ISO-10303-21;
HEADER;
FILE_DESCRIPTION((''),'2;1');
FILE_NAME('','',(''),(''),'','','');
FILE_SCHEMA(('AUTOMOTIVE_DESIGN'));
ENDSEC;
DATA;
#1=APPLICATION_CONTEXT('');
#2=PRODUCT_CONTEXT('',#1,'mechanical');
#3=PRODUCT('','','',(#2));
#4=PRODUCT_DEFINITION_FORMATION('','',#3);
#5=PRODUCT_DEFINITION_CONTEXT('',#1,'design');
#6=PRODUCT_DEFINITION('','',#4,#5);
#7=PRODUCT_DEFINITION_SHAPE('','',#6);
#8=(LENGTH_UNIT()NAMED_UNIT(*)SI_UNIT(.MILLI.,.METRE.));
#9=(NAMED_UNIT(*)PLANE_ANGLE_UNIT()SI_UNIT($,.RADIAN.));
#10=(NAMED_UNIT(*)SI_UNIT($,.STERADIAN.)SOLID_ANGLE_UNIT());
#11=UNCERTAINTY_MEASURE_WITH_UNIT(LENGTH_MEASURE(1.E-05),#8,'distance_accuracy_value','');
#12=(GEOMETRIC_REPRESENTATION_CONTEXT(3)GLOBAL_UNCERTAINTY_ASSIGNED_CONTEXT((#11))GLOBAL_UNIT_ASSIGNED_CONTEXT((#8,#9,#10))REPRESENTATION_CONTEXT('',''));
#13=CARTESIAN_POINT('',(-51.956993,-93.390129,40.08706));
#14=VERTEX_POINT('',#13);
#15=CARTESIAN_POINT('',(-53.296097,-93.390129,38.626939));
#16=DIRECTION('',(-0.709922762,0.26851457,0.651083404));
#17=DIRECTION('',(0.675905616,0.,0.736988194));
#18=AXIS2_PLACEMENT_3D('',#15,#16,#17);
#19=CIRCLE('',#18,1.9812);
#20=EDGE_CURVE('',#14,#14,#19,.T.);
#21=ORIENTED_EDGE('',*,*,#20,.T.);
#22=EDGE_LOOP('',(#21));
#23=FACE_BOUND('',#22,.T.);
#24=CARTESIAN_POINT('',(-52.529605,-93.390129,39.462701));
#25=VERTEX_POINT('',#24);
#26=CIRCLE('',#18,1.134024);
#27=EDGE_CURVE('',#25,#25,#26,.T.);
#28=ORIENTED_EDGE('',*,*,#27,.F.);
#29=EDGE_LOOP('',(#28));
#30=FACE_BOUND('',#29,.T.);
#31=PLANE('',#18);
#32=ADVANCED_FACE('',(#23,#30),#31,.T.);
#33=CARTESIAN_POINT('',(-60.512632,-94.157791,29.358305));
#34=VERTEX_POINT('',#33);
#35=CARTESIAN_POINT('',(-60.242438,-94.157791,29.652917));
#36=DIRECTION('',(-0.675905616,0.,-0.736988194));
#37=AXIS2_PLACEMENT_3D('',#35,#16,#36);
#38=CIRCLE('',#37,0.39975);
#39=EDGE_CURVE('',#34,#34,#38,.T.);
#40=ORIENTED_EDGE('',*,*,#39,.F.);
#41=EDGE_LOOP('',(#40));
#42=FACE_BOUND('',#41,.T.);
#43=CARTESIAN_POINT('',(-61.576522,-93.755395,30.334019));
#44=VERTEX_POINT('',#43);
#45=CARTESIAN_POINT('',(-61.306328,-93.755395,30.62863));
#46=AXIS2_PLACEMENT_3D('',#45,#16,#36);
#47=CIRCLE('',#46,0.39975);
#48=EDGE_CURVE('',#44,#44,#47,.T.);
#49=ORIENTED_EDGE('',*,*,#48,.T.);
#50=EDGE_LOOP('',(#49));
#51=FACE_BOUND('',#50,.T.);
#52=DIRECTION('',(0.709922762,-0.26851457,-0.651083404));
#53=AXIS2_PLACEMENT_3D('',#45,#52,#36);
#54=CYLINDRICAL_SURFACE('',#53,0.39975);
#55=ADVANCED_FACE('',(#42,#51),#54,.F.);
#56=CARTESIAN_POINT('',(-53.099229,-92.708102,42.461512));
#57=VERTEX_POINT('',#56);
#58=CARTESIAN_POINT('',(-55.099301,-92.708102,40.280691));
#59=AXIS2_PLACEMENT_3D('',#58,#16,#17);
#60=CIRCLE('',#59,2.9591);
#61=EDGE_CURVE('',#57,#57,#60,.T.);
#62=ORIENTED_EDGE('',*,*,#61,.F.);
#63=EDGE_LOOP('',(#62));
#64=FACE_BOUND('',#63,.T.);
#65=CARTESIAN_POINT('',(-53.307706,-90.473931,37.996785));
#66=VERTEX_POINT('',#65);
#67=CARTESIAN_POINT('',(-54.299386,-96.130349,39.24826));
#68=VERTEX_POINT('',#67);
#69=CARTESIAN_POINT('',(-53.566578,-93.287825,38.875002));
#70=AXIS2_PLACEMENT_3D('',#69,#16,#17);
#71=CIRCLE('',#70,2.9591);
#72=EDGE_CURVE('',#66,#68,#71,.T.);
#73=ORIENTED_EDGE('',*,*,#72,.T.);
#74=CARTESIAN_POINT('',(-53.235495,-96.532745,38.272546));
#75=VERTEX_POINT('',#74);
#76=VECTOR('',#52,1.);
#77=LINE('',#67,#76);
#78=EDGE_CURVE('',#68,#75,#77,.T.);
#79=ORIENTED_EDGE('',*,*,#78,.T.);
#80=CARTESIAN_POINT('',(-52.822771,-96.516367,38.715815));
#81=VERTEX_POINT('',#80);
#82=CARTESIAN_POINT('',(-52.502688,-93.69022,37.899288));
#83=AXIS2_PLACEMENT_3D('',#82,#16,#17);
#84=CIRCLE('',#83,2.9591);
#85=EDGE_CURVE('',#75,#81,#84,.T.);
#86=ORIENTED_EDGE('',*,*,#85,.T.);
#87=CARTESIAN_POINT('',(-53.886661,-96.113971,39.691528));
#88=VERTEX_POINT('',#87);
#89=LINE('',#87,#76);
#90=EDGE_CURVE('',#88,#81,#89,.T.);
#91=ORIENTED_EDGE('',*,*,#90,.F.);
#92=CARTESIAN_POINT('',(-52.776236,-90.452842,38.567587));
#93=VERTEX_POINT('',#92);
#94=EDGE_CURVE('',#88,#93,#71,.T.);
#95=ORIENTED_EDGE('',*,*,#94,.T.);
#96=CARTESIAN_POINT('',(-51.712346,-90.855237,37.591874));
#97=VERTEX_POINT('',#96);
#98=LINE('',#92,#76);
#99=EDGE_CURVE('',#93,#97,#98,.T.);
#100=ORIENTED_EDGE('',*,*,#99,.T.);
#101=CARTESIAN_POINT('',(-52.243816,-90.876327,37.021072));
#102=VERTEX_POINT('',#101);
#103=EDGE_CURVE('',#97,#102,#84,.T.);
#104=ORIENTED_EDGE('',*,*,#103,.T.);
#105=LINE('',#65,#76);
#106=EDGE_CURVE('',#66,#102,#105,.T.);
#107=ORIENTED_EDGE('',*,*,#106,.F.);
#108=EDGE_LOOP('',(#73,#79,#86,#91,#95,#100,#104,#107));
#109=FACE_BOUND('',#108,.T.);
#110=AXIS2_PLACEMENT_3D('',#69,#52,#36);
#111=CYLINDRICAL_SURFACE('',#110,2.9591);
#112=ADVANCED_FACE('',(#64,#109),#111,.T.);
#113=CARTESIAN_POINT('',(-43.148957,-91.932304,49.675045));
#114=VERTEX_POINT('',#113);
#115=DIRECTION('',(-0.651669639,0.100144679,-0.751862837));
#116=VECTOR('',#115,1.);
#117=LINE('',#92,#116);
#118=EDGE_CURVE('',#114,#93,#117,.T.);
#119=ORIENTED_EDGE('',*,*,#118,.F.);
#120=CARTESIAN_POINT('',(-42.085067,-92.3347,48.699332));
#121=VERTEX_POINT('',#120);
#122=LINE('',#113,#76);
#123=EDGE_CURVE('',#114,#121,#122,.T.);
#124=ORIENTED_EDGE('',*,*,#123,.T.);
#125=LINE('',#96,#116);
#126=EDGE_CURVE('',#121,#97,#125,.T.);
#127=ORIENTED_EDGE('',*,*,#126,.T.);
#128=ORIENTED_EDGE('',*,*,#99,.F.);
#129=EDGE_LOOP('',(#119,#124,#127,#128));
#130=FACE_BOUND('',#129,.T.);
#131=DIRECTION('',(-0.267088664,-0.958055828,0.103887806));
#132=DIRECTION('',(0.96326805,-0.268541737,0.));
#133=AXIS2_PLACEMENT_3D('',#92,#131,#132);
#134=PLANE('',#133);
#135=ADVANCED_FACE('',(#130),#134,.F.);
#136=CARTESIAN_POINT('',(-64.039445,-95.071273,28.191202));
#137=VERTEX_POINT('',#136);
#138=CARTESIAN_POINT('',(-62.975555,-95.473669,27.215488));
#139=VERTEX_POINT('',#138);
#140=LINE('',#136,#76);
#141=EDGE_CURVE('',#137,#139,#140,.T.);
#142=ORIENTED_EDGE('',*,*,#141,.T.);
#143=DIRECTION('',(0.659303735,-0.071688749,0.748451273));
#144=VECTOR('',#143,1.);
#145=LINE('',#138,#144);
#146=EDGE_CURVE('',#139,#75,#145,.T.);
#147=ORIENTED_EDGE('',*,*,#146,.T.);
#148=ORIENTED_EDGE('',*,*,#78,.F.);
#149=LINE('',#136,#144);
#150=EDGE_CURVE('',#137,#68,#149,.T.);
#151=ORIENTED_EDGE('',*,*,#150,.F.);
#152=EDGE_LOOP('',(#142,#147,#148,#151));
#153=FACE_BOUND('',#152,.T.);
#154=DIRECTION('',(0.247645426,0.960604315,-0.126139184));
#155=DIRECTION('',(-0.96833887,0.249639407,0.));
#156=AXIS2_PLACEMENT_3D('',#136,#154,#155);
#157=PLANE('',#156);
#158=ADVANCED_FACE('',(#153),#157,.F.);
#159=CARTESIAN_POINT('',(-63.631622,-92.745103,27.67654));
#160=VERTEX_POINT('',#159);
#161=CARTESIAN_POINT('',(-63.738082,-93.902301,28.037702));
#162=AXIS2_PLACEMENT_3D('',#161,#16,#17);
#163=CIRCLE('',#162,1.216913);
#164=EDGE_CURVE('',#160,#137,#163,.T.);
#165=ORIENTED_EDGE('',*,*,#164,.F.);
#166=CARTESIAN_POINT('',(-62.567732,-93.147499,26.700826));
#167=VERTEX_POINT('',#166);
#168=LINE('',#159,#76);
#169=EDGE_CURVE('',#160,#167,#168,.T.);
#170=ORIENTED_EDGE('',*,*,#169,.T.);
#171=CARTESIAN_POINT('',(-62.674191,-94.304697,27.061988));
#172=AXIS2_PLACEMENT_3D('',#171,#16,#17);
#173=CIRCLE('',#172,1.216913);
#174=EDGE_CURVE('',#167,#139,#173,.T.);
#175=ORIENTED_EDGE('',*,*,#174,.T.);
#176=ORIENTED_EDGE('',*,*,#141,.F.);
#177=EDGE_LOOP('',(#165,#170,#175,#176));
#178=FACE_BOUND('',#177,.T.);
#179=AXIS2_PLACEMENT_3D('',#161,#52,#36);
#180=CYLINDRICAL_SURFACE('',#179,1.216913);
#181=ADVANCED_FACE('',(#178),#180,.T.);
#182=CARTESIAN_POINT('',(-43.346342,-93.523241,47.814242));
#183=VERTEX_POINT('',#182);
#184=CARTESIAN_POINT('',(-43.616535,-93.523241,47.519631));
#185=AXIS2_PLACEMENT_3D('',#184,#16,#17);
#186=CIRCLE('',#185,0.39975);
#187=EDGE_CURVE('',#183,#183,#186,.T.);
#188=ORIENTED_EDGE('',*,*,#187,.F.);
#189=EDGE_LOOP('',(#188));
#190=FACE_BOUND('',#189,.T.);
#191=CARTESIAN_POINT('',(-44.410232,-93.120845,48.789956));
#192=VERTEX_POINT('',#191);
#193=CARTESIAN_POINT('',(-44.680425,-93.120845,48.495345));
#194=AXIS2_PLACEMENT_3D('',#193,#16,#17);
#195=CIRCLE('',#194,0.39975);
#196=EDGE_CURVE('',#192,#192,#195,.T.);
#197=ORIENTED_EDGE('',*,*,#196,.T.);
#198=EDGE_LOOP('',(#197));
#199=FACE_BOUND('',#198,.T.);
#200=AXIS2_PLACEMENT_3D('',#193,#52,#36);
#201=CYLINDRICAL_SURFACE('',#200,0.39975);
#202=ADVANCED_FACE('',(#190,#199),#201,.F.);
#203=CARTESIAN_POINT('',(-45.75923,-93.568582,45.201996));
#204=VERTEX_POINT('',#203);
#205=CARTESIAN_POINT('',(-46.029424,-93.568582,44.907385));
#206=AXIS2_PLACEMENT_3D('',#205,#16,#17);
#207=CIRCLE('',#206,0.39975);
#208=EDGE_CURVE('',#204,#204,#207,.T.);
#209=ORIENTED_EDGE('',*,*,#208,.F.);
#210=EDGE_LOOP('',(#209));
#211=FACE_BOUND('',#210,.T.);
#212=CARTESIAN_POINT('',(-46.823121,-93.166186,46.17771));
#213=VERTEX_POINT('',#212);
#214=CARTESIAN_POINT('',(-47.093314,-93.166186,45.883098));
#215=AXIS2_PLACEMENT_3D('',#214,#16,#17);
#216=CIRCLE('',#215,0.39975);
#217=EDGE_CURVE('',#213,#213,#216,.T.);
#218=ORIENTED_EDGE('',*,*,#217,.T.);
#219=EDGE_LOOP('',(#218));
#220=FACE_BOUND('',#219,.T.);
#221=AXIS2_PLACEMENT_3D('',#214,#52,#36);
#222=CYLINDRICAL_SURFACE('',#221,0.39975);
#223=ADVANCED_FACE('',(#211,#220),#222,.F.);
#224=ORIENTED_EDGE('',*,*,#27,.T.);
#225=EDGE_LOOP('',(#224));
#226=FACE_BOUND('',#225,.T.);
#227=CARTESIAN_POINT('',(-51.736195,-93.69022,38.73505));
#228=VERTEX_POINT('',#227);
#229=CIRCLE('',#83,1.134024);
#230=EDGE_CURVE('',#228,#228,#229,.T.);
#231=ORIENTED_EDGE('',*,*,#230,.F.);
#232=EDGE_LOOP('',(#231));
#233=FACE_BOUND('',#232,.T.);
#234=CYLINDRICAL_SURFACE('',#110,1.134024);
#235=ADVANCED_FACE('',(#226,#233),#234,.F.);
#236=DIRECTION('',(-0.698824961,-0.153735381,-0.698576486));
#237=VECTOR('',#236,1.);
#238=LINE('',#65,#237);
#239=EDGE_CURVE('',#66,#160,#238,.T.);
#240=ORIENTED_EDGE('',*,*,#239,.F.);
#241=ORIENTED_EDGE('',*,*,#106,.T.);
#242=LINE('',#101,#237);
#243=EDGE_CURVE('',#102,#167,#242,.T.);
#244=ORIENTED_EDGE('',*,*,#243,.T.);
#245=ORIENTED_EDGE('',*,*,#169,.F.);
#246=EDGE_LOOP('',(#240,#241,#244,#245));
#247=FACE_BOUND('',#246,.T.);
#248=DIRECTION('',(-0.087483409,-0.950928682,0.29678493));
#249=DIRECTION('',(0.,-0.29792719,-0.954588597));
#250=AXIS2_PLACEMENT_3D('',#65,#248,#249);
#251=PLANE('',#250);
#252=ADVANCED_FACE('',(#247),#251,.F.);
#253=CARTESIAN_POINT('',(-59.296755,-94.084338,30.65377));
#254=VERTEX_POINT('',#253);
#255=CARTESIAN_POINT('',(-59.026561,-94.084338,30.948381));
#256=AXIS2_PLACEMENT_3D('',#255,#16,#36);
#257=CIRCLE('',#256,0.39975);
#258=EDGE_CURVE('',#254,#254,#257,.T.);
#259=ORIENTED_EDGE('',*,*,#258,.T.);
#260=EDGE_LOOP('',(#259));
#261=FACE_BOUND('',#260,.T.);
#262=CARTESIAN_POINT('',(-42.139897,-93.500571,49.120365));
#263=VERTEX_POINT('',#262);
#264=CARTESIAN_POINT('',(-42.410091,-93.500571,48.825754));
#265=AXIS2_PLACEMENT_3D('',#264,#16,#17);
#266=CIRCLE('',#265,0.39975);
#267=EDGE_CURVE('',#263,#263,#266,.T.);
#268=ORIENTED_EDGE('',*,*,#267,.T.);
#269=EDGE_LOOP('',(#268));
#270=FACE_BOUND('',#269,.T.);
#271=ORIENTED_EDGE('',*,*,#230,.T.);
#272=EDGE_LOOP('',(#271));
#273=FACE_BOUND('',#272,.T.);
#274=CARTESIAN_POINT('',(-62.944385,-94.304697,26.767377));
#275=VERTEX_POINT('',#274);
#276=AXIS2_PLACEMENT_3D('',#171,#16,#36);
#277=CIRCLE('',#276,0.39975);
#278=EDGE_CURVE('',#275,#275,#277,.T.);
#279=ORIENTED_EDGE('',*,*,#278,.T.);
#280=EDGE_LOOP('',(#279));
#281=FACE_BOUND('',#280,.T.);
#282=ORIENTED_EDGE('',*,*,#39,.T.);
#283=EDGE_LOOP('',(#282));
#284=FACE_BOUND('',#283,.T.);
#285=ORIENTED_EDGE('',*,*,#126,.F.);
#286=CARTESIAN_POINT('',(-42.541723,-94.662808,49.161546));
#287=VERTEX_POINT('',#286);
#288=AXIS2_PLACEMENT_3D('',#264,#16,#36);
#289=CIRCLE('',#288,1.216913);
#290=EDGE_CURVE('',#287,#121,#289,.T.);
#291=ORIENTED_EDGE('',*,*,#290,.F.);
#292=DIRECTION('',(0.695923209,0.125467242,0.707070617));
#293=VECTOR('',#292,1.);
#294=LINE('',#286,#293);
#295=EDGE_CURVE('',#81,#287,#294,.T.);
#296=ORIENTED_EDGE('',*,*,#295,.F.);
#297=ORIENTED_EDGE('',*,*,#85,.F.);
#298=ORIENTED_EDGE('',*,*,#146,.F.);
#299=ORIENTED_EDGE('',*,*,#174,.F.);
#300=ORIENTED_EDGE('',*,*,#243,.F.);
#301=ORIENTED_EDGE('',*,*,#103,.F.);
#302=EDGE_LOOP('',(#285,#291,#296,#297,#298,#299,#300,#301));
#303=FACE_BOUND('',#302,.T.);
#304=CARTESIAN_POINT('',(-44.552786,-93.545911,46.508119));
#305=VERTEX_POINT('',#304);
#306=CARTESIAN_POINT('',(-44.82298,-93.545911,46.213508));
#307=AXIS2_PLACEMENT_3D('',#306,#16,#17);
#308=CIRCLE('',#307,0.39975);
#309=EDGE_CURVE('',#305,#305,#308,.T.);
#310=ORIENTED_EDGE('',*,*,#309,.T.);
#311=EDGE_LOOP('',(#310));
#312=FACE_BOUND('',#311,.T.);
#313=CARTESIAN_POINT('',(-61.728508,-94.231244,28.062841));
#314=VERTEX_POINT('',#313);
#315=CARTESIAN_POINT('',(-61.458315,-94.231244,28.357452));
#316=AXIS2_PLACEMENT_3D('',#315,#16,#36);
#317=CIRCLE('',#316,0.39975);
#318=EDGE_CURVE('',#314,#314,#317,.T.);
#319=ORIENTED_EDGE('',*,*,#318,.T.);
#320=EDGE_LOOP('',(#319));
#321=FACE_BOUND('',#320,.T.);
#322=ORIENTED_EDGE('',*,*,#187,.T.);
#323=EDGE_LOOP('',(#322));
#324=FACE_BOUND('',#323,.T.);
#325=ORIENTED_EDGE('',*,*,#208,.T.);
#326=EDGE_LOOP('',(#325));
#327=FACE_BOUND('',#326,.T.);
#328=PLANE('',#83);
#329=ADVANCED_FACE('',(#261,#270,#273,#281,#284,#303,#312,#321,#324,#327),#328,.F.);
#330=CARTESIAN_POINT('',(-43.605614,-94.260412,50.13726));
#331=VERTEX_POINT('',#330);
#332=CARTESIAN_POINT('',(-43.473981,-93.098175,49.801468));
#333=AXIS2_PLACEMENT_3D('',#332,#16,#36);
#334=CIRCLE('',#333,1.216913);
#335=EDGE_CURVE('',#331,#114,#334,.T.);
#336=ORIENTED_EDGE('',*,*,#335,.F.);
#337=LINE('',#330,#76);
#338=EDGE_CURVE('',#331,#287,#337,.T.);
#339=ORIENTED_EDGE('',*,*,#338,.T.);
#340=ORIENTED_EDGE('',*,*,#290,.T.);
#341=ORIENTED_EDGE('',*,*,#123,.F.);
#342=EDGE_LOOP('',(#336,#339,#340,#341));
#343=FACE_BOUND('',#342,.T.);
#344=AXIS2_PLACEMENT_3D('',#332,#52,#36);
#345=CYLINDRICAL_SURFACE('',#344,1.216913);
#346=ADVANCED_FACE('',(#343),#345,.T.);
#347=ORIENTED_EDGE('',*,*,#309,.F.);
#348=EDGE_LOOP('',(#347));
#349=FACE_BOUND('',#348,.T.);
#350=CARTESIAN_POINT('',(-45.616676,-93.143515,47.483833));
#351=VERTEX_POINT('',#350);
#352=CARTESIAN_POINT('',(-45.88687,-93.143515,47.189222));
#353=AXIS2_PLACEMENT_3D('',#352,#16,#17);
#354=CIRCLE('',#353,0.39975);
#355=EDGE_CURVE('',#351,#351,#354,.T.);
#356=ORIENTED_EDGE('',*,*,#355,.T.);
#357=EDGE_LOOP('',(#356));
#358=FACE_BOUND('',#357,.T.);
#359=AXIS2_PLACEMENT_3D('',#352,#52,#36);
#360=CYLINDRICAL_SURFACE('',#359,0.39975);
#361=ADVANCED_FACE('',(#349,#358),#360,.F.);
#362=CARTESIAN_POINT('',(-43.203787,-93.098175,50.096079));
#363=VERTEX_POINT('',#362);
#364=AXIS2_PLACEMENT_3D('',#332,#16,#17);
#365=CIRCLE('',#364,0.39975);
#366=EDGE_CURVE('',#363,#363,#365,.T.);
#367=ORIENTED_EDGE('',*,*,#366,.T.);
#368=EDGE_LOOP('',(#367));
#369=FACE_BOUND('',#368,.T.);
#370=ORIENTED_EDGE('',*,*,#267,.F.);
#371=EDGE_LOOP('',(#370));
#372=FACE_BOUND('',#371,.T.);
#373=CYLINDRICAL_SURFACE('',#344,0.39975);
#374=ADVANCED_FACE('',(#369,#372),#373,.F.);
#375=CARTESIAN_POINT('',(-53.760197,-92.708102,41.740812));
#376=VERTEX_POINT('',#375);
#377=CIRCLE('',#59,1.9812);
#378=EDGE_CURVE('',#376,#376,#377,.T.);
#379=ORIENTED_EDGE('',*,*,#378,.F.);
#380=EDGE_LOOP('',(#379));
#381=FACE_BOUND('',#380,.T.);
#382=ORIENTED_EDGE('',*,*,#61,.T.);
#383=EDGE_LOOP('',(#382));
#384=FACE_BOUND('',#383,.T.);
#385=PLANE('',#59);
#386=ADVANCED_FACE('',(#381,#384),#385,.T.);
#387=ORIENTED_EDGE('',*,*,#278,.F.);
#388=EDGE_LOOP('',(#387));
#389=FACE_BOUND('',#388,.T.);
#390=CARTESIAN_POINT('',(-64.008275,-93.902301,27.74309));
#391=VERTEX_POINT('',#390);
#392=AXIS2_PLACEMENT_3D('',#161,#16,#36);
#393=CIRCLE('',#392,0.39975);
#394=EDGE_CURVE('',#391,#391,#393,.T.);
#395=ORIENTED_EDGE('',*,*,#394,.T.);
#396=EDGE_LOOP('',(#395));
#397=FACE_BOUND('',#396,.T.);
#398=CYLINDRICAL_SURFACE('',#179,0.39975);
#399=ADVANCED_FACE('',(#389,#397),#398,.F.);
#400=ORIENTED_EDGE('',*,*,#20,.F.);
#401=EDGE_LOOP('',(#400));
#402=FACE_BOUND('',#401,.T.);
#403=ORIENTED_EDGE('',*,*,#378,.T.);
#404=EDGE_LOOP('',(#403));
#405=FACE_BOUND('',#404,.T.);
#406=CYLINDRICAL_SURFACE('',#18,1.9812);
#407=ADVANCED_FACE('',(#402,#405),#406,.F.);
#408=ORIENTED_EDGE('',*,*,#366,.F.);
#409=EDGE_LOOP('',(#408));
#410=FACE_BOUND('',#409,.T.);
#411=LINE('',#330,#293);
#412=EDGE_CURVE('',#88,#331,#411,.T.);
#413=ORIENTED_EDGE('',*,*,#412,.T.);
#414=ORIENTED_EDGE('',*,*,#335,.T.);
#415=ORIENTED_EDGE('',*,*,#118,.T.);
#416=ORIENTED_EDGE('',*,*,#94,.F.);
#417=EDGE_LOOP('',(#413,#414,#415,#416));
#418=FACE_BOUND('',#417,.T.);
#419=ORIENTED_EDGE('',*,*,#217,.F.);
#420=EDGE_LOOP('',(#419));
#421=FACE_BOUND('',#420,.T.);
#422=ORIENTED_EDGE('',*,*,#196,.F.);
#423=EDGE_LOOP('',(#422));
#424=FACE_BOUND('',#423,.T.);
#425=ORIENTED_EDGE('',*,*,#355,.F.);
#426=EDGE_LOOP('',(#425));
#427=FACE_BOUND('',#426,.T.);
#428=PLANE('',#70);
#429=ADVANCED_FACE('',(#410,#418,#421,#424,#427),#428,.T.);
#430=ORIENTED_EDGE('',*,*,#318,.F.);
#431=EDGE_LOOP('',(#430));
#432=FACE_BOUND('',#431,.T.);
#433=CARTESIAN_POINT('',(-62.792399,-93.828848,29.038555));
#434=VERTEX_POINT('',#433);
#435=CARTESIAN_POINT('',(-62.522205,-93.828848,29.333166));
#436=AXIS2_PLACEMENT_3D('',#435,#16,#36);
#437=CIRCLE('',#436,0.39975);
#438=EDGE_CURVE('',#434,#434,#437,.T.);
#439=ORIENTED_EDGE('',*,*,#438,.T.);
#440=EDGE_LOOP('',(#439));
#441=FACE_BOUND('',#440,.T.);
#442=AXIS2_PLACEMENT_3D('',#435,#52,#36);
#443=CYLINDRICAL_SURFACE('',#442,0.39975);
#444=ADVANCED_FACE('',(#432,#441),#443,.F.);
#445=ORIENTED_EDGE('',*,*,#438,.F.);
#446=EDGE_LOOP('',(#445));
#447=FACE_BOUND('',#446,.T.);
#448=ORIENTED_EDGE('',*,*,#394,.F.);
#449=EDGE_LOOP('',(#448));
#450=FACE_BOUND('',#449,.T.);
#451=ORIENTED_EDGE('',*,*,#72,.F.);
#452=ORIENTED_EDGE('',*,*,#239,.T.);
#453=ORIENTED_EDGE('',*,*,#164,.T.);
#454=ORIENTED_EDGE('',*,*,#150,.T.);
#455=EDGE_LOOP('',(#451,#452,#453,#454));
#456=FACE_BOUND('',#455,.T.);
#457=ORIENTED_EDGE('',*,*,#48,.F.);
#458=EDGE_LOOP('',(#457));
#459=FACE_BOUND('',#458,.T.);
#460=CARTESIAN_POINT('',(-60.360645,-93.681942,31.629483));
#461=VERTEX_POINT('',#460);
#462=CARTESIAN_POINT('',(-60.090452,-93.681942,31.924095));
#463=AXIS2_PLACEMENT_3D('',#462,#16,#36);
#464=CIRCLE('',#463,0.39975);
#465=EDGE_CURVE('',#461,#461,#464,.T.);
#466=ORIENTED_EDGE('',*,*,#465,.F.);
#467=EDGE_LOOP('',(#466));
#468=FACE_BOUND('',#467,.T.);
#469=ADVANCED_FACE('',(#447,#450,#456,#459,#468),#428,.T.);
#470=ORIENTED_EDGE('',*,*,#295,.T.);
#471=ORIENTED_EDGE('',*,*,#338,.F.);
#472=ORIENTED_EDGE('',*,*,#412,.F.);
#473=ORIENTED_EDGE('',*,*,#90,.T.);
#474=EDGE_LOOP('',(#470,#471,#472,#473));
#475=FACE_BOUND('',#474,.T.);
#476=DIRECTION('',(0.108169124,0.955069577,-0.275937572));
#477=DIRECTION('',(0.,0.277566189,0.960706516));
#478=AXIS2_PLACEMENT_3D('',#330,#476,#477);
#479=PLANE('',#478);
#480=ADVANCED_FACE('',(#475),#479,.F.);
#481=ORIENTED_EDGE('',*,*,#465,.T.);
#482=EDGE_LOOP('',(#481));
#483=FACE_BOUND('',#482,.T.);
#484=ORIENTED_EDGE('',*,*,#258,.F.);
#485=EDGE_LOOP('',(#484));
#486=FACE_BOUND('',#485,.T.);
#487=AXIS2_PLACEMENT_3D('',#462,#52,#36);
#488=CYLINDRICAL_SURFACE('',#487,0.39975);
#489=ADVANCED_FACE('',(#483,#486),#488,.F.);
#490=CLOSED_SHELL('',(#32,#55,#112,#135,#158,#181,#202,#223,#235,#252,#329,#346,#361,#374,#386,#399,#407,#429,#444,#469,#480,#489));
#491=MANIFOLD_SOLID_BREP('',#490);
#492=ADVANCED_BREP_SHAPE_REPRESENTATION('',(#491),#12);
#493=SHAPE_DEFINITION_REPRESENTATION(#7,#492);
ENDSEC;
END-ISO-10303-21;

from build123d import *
from build123d.topology import SkipClean

# Parameters (mm, degrees)
SKETCH1_R           = 1.134023506
SKETCH1_R_2         = 0.399750463
BOSS_EXTRUDE1_DEPTH = 1.4986
SKETCH2_R           = 2.9591
BOSS_EXTRUDE2_DEPTH = 2.159
SKETCH3_R           = 1.9812
CUT_EXTRUDE1_DEPTH  = 2.54


with BuildPart() as part:
    # Sketch1 → Boss-Extrude1 (new body)
    with BuildSketch(Plane(origin=(-26.118953855, 9.878989701, 23.95417966), x_dir=(0.6811926509137779, 0.027031276316117844, 0.7316050043854141), z_dir=(-0.7099227615957759, 0.26851456951758673, 0.6510834036627045))):
        with BuildLine():
            Line((-10.17960006, -104.330094763), (4.464711493, -106.277674051))
            ThreePointArc((4.464711493, -106.277674051), (5.521063626, -107.502012677), (4.428867403, -108.694485866))
            Line((4.428867403, -108.694485866), (-10.26676012, -110.206920218))
            ThreePointArc((-10.26676012, -110.206920218), (-10.569702558, -110.222468165), (-10.872644997, -110.206920218))
            Line((-10.872644997, -110.206920218), (-25.56827252, -108.694485866))
            ThreePointArc((-25.56827252, -108.694485866), (-26.660468742, -107.502012677), (-25.60411661, -106.277674051))
            Line((-25.60411661, -106.277674051), (-10.959805057, -104.330094763))
            ThreePointArc((-10.959805057, -104.330094763), (-10.569702558, -104.304268165), (-10.17960006, -104.330094763))
        make_face()
        with Locations(Location((-10.569702558, -107.263368165, 0), (0, 0, 358.39196451))):
            Circle(SKETCH1_R, mode=Mode.SUBTRACT)
        with Locations(Location((4.304284008, -107.48396644, 0), (0, 0, 358.39196451))):
            Circle(SKETCH1_R_2, mode=Mode.SUBTRACT)
        with Locations(Location((2.526284008, -107.457596661, 0), (0, 0, 358.39196451))):
            Circle(SKETCH1_R_2, mode=Mode.SUBTRACT)
        with Locations(Location((0.748284008, -107.431226882, 0), (0, 0, 358.39196451))):
            Circle(SKETCH1_R_2, mode=Mode.SUBTRACT)
        with Locations(Location((-1.029715992, -107.404857104, 0), (0, 0, 358.39196451))):
            Circle(SKETCH1_R_2, mode=Mode.SUBTRACT)
        with Locations(Location((-20.109689125, -107.404857104, 0), (0, 0, 178.39196451))):
            Circle(SKETCH1_R_2, mode=Mode.SUBTRACT)
        with Locations(Location((-21.887689125, -107.431226882, 0), (0, 0, 178.39196451))):
            Circle(SKETCH1_R_2, mode=Mode.SUBTRACT)
        with Locations(Location((-23.665689125, -107.457596661, 0), (0, 0, 178.39196451))):
            Circle(SKETCH1_R_2, mode=Mode.SUBTRACT)
        with Locations(Location((-25.443689125, -107.48396644, 0), (0, 0, 178.39196451))):
            Circle(SKETCH1_R_2, mode=Mode.SUBTRACT)
    extrude(amount=BOSS_EXTRUDE1_DEPTH)

    # Sketch2 → Boss-Extrude2 (add)
    with SkipClean():  # the faces are left unmerged after this step: merging them gives an invalid solid
        with BuildSketch(Plane(origin=(-27.182844105, 10.281385635, 24.929893249), x_dir=(0.681192650913778, 0.027031276316117795, 0.731605004385414), z_dir=(-0.7099227615957758, 0.2685145695175868, 0.6510834036627047))):
            with Locations(Location((-10.569702558, -107.263368165, 0), (0, 0, 97.575438716))):
                Circle(SKETCH2_R)
        extrude(amount=BOSS_EXTRUDE2_DEPTH)

    # Sketch3 → Cut-Extrude1 (cut)
    with SkipClean():  # the faces are left unmerged after this step: merging them gives an invalid solid
        with BuildSketch(Plane(origin=(-28.715567348, 10.861108591, 26.335582317), x_dir=(0.6811926509137781, 0.02703127631611777, 0.731605004385414), z_dir=(-0.7099227615957758, 0.26851456951758684, 0.6510834036627048))):
            with Locations(Location((-10.569702558, -107.263368165, 0), (0, 0, 358.39196451))):
                Circle(SKETCH3_R)
        extrude(amount=-CUT_EXTRUDE1_DEPTH, mode=Mode.SUBTRACT)


solid = part.part
